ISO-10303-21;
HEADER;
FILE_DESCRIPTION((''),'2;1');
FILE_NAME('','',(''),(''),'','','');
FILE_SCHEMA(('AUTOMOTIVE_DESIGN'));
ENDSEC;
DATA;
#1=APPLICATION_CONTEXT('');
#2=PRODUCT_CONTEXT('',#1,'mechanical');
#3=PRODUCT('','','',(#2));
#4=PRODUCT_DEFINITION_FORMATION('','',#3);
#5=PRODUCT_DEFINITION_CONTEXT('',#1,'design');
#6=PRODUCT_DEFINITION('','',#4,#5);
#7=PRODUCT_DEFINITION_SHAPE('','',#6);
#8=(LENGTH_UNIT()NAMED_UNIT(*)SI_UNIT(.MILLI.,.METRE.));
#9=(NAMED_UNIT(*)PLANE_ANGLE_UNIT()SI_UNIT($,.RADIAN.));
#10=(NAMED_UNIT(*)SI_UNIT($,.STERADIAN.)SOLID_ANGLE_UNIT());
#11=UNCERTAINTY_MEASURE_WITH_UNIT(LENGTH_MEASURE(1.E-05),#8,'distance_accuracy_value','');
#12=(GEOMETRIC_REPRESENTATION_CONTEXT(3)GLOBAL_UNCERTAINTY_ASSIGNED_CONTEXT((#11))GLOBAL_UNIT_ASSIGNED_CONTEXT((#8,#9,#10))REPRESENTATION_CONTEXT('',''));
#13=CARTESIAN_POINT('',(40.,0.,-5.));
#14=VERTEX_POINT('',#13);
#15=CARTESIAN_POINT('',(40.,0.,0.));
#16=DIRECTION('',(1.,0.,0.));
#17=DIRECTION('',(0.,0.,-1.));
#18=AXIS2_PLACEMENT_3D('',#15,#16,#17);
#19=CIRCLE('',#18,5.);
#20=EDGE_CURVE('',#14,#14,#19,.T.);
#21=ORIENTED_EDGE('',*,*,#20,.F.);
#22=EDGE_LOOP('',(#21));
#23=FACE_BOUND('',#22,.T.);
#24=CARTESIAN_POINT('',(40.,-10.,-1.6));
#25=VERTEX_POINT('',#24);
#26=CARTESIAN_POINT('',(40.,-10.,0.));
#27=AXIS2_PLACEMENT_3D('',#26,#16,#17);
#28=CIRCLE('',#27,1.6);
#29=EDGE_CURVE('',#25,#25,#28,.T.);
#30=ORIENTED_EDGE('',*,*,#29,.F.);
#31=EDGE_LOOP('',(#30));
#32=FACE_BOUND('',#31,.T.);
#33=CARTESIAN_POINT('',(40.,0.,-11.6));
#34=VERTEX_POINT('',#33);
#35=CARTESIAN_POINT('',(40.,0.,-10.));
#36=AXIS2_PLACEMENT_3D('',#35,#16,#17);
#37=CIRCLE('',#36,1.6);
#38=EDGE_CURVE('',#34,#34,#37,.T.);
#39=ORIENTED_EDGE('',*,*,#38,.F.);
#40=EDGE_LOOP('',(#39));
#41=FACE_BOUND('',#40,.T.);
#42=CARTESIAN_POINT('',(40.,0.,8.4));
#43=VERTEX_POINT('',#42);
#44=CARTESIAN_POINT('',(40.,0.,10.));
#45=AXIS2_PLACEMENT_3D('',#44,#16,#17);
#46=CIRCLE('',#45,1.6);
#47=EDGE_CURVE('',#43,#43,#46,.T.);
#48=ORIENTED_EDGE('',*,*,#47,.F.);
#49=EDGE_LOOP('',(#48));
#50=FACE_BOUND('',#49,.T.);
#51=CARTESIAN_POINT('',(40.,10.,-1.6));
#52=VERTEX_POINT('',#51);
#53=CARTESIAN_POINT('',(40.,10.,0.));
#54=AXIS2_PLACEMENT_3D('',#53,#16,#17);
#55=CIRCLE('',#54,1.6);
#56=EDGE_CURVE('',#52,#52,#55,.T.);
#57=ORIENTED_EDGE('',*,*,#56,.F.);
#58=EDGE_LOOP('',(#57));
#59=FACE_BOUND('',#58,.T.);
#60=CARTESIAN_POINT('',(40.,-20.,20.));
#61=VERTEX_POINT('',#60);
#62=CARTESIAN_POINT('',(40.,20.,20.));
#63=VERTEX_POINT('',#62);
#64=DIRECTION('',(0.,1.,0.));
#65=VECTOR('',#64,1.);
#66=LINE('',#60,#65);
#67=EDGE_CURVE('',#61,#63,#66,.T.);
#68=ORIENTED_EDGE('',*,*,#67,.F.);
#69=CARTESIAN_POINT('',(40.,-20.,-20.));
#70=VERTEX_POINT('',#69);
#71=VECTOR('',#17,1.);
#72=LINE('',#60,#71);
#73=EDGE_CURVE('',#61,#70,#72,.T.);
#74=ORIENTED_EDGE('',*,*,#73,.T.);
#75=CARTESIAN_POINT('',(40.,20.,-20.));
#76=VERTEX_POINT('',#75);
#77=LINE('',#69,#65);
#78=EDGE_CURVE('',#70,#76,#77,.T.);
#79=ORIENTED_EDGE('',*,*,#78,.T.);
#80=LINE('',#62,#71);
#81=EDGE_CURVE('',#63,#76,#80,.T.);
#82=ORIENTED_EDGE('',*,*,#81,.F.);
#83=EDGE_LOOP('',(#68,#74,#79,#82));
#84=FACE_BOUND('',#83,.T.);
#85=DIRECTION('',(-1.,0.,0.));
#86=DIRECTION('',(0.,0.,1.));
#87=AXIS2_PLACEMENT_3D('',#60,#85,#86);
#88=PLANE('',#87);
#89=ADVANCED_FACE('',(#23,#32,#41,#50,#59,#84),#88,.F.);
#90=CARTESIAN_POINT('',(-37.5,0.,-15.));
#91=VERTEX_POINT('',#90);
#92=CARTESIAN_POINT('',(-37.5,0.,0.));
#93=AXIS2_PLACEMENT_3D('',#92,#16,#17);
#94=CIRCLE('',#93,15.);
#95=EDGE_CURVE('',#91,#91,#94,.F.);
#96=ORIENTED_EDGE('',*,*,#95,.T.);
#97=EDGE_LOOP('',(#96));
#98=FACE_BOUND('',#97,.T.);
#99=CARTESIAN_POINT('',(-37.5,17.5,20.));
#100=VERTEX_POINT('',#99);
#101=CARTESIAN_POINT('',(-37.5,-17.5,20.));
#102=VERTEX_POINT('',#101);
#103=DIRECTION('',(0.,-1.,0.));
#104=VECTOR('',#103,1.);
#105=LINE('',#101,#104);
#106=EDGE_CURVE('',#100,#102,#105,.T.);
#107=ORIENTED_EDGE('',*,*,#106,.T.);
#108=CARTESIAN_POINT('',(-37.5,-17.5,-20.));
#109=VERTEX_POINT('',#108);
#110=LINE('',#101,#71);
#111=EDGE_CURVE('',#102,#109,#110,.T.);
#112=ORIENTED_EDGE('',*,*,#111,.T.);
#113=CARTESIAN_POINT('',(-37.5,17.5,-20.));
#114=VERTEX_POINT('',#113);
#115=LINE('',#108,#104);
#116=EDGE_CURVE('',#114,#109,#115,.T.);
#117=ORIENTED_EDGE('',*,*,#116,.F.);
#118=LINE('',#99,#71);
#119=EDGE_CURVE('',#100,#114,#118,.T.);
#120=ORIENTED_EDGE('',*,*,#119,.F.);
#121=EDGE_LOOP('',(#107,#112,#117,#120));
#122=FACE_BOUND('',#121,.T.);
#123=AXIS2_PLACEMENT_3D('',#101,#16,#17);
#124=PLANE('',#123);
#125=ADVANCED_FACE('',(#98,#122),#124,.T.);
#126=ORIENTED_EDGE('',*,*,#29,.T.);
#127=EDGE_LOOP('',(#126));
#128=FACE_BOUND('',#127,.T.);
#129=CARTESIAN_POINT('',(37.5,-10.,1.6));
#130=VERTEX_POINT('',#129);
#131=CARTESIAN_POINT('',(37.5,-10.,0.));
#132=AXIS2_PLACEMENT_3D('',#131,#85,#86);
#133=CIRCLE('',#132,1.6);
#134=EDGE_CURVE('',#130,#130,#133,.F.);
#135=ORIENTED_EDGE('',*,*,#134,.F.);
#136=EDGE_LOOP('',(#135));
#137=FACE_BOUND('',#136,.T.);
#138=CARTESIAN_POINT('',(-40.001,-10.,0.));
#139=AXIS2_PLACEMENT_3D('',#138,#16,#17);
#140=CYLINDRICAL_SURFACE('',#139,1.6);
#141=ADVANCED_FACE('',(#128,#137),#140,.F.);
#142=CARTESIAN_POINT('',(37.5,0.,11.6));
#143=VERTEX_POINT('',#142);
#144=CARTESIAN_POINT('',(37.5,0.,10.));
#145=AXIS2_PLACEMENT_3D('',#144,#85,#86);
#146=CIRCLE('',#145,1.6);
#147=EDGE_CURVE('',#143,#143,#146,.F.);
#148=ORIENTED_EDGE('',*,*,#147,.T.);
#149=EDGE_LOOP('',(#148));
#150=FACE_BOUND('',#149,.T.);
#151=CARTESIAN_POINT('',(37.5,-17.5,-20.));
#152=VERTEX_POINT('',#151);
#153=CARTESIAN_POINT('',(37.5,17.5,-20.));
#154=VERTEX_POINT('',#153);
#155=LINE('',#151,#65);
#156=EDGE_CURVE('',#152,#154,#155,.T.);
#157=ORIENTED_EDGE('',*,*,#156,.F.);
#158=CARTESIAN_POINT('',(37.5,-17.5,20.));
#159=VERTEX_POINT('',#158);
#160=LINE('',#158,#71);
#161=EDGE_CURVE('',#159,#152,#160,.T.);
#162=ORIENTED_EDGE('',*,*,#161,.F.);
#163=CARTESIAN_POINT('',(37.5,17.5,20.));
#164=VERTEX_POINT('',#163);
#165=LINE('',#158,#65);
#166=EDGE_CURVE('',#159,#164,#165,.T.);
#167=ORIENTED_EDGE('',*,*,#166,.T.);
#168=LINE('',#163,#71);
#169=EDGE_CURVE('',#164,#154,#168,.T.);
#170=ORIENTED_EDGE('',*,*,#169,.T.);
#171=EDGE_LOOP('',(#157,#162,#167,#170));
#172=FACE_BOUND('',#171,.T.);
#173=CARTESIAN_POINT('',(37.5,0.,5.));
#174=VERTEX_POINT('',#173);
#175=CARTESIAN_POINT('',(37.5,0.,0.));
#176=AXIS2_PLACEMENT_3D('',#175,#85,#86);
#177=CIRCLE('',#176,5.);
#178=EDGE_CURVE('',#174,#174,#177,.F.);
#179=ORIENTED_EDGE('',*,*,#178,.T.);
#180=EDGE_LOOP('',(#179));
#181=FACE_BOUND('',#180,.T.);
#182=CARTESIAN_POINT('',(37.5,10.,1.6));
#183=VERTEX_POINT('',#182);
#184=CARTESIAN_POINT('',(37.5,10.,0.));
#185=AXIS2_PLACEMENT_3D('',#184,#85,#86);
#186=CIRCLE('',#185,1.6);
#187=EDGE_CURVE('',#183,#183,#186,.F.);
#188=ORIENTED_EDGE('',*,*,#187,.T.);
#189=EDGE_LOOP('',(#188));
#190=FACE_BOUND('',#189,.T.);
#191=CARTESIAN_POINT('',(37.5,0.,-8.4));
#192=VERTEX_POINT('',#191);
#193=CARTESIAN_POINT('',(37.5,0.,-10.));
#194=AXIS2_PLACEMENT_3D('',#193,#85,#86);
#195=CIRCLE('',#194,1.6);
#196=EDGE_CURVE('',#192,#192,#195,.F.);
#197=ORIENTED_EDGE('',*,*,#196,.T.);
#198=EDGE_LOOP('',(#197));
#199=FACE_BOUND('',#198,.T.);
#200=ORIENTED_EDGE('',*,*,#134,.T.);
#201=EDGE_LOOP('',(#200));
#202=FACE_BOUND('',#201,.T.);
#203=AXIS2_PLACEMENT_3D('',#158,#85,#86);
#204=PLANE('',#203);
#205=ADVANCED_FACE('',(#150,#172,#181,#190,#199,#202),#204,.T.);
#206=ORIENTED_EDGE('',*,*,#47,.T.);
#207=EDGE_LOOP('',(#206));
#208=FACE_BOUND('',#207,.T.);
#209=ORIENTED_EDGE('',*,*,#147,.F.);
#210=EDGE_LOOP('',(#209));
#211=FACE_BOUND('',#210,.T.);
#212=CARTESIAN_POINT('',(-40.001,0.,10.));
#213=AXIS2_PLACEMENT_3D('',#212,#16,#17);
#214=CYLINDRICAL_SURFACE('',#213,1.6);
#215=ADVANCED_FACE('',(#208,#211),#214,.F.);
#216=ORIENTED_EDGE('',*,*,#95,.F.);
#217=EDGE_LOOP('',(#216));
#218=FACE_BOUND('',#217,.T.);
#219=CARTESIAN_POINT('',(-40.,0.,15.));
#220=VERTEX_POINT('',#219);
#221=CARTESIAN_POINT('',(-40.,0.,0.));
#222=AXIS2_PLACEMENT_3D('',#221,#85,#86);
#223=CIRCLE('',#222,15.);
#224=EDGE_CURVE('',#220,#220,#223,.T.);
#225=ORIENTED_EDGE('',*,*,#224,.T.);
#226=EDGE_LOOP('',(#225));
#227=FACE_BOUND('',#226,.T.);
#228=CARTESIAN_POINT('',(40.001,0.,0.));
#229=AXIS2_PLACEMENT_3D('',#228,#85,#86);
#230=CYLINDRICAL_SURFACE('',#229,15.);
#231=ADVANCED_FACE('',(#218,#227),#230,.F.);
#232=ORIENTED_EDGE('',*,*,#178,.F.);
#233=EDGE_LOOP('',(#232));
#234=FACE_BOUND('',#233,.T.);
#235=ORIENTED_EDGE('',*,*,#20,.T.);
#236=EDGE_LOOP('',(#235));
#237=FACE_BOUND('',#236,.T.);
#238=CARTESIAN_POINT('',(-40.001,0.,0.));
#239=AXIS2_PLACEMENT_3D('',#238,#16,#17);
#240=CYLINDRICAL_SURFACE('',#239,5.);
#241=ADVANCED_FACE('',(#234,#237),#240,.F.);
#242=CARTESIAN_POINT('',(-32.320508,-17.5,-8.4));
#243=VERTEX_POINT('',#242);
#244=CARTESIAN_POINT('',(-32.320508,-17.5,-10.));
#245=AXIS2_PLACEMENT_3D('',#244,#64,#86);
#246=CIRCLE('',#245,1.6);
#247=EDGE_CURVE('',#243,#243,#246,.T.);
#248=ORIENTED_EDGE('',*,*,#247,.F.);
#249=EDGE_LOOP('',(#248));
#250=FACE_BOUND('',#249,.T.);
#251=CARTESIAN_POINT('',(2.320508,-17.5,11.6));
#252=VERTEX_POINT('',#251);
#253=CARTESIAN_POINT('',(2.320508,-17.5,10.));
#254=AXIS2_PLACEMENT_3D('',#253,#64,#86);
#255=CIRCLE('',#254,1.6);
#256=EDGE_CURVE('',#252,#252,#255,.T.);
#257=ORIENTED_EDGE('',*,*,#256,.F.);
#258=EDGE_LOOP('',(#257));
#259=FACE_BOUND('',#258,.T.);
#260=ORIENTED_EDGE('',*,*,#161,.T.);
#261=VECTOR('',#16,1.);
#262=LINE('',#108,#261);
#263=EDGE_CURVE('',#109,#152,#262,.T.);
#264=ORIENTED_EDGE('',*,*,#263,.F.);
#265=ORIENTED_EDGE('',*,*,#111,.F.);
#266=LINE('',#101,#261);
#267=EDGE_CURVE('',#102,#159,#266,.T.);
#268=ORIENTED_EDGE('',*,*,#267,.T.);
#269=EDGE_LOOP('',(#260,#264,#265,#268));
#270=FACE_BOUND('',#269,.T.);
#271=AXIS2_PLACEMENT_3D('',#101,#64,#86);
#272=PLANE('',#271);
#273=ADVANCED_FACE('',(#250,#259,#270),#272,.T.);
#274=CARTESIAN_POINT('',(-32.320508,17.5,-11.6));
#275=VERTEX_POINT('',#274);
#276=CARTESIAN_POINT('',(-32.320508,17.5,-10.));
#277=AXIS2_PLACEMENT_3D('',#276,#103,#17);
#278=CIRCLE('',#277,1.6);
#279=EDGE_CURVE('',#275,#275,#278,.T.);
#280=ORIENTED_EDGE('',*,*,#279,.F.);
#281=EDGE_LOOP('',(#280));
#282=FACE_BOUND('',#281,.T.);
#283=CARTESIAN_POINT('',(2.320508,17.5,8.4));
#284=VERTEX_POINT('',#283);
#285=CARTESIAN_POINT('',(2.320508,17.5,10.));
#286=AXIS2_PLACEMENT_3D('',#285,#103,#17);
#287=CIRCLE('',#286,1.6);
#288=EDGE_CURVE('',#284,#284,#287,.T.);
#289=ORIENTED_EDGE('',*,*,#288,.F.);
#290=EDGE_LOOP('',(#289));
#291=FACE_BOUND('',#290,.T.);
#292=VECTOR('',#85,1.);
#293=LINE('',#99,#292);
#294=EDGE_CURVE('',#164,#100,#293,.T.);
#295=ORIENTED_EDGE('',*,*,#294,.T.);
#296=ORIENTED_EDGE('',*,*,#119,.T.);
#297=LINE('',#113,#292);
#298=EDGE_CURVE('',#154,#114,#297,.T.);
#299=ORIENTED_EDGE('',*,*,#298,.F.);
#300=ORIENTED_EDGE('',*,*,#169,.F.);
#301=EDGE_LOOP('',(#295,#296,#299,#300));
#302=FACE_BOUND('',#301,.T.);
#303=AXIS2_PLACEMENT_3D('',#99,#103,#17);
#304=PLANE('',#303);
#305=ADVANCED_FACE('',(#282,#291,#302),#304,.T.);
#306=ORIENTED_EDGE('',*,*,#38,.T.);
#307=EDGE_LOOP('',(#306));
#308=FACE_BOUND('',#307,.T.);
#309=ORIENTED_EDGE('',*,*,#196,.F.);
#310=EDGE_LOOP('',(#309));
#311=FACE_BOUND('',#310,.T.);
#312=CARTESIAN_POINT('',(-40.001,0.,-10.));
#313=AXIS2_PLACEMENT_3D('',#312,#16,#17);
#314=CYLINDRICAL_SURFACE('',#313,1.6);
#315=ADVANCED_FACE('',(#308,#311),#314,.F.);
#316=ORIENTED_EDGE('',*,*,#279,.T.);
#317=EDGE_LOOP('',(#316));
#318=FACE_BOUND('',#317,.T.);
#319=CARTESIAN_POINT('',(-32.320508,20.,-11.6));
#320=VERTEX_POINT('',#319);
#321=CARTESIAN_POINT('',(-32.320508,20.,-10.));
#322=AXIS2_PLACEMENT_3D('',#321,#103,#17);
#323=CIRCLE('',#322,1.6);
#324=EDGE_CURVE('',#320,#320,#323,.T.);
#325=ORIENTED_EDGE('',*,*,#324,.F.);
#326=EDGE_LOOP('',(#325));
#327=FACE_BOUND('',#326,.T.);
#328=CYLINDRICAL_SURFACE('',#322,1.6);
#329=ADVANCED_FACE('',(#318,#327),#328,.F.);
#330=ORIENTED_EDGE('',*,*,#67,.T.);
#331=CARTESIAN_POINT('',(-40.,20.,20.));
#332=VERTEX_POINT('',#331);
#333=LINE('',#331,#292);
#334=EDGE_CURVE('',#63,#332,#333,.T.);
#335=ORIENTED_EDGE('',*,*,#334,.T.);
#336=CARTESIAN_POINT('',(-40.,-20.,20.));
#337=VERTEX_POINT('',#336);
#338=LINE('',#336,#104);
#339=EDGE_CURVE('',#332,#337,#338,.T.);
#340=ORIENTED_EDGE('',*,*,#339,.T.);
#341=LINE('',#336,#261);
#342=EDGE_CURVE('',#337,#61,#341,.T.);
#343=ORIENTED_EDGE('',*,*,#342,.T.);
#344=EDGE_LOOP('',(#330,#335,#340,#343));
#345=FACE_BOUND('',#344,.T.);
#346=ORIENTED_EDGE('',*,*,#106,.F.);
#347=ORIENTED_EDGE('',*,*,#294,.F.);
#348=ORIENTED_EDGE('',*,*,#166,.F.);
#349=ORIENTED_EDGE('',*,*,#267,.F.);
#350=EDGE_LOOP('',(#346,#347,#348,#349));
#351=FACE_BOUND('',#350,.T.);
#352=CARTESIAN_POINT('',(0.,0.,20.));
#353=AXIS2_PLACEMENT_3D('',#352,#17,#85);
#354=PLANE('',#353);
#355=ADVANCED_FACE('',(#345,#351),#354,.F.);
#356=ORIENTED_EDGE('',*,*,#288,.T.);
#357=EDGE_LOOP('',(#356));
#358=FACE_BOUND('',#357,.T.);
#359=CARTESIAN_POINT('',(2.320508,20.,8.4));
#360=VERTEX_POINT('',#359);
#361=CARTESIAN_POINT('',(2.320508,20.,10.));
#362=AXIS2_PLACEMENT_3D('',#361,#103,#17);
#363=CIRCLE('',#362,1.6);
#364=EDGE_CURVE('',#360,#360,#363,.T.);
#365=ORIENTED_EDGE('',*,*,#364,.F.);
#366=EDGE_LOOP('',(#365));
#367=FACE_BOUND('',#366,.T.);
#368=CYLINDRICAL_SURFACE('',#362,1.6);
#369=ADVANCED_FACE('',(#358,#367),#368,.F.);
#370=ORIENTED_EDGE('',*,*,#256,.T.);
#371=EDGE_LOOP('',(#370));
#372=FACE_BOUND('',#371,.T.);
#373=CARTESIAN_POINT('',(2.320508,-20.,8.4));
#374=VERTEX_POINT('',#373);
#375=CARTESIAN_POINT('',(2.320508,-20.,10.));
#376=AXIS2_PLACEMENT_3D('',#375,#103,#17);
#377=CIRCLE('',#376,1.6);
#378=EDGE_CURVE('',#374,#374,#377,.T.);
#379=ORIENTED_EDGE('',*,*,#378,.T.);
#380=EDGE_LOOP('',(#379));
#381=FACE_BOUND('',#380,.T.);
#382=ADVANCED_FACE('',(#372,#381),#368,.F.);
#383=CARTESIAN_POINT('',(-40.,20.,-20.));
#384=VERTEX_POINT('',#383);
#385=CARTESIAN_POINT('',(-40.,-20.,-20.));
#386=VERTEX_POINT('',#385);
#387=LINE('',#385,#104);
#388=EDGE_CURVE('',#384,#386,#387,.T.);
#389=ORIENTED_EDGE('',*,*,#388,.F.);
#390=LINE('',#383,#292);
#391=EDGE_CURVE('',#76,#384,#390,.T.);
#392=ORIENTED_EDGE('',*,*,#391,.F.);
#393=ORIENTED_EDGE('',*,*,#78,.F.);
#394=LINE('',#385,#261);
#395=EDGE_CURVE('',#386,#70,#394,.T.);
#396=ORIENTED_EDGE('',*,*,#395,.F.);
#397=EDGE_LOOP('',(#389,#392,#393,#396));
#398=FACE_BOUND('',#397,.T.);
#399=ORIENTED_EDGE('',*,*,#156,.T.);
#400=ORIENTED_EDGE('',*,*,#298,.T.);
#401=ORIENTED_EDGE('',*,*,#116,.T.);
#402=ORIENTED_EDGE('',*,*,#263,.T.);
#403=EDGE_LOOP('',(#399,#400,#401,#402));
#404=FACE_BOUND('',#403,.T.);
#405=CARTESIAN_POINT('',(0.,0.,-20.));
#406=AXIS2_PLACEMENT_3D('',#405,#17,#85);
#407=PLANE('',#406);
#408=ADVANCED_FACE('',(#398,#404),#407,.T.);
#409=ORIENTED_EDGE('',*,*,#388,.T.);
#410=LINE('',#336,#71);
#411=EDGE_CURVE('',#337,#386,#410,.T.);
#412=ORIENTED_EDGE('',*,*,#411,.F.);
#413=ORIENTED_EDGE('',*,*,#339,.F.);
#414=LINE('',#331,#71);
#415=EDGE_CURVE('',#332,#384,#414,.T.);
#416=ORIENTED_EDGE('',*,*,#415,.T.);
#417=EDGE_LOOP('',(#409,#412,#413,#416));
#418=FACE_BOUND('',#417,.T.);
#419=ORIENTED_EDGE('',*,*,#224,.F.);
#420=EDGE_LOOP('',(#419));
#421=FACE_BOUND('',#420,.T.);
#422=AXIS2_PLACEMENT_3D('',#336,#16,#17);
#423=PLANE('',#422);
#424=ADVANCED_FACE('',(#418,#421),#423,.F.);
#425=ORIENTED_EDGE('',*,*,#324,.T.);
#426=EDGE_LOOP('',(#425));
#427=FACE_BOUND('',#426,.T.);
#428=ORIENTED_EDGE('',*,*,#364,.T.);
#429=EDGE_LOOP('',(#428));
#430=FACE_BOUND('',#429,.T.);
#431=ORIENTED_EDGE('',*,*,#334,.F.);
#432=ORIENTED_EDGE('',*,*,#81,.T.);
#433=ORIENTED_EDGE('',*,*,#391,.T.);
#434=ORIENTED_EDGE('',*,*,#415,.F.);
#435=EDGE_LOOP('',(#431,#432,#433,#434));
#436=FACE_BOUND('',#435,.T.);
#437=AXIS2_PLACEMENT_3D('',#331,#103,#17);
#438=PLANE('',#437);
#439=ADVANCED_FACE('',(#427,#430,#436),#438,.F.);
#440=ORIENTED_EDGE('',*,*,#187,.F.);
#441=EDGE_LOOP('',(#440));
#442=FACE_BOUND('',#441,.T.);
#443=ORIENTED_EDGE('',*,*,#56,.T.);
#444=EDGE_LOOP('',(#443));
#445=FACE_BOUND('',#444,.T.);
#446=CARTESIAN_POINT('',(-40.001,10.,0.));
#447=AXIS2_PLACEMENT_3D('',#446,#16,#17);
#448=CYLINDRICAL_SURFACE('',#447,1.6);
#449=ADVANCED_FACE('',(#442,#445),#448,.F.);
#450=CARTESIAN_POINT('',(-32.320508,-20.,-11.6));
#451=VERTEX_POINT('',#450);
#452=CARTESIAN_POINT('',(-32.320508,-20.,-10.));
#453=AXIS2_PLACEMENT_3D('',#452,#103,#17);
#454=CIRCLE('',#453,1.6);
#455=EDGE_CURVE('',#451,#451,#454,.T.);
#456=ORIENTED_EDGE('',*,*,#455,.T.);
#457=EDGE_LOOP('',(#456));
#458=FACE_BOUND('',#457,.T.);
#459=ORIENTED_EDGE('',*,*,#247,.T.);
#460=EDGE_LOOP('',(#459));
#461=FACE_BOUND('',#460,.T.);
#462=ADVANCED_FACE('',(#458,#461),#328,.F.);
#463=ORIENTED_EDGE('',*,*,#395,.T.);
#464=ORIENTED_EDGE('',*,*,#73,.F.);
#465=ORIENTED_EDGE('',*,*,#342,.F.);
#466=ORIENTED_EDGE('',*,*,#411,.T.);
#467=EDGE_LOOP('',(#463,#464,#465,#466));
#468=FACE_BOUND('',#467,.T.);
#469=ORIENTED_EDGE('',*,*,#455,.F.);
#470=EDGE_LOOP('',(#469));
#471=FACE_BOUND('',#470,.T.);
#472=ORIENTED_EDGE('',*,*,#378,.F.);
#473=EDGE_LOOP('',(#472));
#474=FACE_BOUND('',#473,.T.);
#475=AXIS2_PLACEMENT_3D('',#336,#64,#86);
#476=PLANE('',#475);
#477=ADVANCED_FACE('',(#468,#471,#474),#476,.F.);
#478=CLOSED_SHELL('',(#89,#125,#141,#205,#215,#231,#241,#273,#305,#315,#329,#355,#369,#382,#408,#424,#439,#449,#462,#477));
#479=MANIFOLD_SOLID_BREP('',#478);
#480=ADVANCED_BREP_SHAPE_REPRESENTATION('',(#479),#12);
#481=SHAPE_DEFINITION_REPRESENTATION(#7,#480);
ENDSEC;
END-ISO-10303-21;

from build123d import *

# Parameters (mm, degrees)
SKETCH_1_W          = 80
SKETCH_1_H          = 40
SKETCH_1_W_2        = 75
SKETCH_1_H_2        = 35
EXTRUDE_1_DEPTH     = 20
CUT_EXTRUDE_1_REACH = 82
SKETCH_3_R          = 1.6
SKETCH_3_R_2        = 5
CUT_EXTRUDE_2_REACH = 82
SKETCH_4_R          = 15
SKETCH_5_R          = 1.6
CUT_EXTRUDE_3_DEPTH = 41


with BuildPart() as part:
    # ｽｹｯﾁ1 → ﾎﾞｽ - 押し出し1 (new body, symmetric)
    with BuildSketch(Plane.XY):
        Rectangle(SKETCH_1_W, SKETCH_1_H)
        Rectangle(SKETCH_1_W_2, SKETCH_1_H_2, mode=Mode.SUBTRACT)
    extrude(amount=EXTRUDE_1_DEPTH, both=True)

    # ｽｹｯﾁ3 → ｶｯﾄ - 押し出し1 (cut, up to next)
    with BuildSketch(Plane(origin=(40, 0, 0), x_dir=(0, 0, -1), z_dir=(1, 0, 0)), mode=Mode.PRIVATE) as cut_extrude_1_sk1:
        with Locations((0, 10)):
            Circle(SKETCH_3_R)
    cut_extrude_1_tool1 = extrude(cut_extrude_1_sk1.sketch, amount=-CUT_EXTRUDE_1_REACH, mode=Mode.PRIVATE) & part.part
    add(cut_extrude_1_tool1.solids().sort_by_distance((40, 10, 0))[0], mode=Mode.SUBTRACT)
    # ｽｹｯﾁ3 → ｶｯﾄ - 押し出し1 (cut, up to next)
    with BuildSketch(Plane(origin=(40, 0, 0), x_dir=(0, 0, -1), z_dir=(1, 0, 0)), mode=Mode.PRIVATE) as cut_extrude_1_sk2:
        with Locations((10, 0)):
            Circle(SKETCH_3_R)
    cut_extrude_1_tool2 = extrude(cut_extrude_1_sk2.sketch, amount=-CUT_EXTRUDE_1_REACH, mode=Mode.PRIVATE) & part.part
    add(cut_extrude_1_tool2.solids().sort_by_distance((40, 0, -10))[0], mode=Mode.SUBTRACT)
    # ｽｹｯﾁ3 → ｶｯﾄ - 押し出し1 (cut, up to next)
    with BuildSketch(Plane(origin=(40, 0, 0), x_dir=(0, 0, -1), z_dir=(1, 0, 0)), mode=Mode.PRIVATE) as cut_extrude_1_sk3:
        with Locations((0, -10)):
            Circle(SKETCH_3_R)
    cut_extrude_1_tool3 = extrude(cut_extrude_1_sk3.sketch, amount=-CUT_EXTRUDE_1_REACH, mode=Mode.PRIVATE) & part.part
    add(cut_extrude_1_tool3.solids().sort_by_distance((40, -10, 0))[0], mode=Mode.SUBTRACT)
    # ｽｹｯﾁ3 → ｶｯﾄ - 押し出し1 (cut, up to next)
    with BuildSketch(Plane(origin=(40, 0, 0), x_dir=(0, 0, -1), z_dir=(1, 0, 0)), mode=Mode.PRIVATE) as cut_extrude_1_sk4:
        with Locations((-10, 0)):
            Circle(SKETCH_3_R)
    cut_extrude_1_tool4 = extrude(cut_extrude_1_sk4.sketch, amount=-CUT_EXTRUDE_1_REACH, mode=Mode.PRIVATE) & part.part
    add(cut_extrude_1_tool4.solids().sort_by_distance((40, 0, 10))[0], mode=Mode.SUBTRACT)
    # ｽｹｯﾁ3 → ｶｯﾄ - 押し出し1 (cut, up to next)
    with BuildSketch(Plane(origin=(40, 0, 0), x_dir=(0, 0, -1), z_dir=(1, 0, 0)), mode=Mode.PRIVATE) as cut_extrude_1_sk5:
        Circle(SKETCH_3_R_2)
    cut_extrude_1_tool5 = extrude(cut_extrude_1_sk5.sketch, amount=-CUT_EXTRUDE_1_REACH, mode=Mode.PRIVATE) & part.part
    add(cut_extrude_1_tool5.solids().sort_by_distance((40, 0, 0))[0], mode=Mode.SUBTRACT)

    # ｽｹｯﾁ4 → ｶｯﾄ - 押し出し2 (cut, up to next)
    with BuildSketch(Plane.ZY.offset(40), mode=Mode.PRIVATE) as cut_extrude_2_sk1:
        Circle(SKETCH_4_R)
    cut_extrude_2_tool1 = extrude(cut_extrude_2_sk1.sketch, amount=-CUT_EXTRUDE_2_REACH, mode=Mode.PRIVATE) & part.part
    add(cut_extrude_2_tool1.solids().sort_by_distance((-40, 0, 0))[0], mode=Mode.SUBTRACT)

    # ｽｹｯﾁ5 → ｶｯﾄ - 押し出し3 (cut, through all)
    with BuildSketch(Plane.XZ.offset(20)):
        with Locations((-32.320508076, -10)):
            Circle(SKETCH_5_R)
        with Locations((2.320508076, 10)):
            Circle(SKETCH_5_R)
    extrude(amount=-CUT_EXTRUDE_3_DEPTH, mode=Mode.SUBTRACT)


solid = part.part
